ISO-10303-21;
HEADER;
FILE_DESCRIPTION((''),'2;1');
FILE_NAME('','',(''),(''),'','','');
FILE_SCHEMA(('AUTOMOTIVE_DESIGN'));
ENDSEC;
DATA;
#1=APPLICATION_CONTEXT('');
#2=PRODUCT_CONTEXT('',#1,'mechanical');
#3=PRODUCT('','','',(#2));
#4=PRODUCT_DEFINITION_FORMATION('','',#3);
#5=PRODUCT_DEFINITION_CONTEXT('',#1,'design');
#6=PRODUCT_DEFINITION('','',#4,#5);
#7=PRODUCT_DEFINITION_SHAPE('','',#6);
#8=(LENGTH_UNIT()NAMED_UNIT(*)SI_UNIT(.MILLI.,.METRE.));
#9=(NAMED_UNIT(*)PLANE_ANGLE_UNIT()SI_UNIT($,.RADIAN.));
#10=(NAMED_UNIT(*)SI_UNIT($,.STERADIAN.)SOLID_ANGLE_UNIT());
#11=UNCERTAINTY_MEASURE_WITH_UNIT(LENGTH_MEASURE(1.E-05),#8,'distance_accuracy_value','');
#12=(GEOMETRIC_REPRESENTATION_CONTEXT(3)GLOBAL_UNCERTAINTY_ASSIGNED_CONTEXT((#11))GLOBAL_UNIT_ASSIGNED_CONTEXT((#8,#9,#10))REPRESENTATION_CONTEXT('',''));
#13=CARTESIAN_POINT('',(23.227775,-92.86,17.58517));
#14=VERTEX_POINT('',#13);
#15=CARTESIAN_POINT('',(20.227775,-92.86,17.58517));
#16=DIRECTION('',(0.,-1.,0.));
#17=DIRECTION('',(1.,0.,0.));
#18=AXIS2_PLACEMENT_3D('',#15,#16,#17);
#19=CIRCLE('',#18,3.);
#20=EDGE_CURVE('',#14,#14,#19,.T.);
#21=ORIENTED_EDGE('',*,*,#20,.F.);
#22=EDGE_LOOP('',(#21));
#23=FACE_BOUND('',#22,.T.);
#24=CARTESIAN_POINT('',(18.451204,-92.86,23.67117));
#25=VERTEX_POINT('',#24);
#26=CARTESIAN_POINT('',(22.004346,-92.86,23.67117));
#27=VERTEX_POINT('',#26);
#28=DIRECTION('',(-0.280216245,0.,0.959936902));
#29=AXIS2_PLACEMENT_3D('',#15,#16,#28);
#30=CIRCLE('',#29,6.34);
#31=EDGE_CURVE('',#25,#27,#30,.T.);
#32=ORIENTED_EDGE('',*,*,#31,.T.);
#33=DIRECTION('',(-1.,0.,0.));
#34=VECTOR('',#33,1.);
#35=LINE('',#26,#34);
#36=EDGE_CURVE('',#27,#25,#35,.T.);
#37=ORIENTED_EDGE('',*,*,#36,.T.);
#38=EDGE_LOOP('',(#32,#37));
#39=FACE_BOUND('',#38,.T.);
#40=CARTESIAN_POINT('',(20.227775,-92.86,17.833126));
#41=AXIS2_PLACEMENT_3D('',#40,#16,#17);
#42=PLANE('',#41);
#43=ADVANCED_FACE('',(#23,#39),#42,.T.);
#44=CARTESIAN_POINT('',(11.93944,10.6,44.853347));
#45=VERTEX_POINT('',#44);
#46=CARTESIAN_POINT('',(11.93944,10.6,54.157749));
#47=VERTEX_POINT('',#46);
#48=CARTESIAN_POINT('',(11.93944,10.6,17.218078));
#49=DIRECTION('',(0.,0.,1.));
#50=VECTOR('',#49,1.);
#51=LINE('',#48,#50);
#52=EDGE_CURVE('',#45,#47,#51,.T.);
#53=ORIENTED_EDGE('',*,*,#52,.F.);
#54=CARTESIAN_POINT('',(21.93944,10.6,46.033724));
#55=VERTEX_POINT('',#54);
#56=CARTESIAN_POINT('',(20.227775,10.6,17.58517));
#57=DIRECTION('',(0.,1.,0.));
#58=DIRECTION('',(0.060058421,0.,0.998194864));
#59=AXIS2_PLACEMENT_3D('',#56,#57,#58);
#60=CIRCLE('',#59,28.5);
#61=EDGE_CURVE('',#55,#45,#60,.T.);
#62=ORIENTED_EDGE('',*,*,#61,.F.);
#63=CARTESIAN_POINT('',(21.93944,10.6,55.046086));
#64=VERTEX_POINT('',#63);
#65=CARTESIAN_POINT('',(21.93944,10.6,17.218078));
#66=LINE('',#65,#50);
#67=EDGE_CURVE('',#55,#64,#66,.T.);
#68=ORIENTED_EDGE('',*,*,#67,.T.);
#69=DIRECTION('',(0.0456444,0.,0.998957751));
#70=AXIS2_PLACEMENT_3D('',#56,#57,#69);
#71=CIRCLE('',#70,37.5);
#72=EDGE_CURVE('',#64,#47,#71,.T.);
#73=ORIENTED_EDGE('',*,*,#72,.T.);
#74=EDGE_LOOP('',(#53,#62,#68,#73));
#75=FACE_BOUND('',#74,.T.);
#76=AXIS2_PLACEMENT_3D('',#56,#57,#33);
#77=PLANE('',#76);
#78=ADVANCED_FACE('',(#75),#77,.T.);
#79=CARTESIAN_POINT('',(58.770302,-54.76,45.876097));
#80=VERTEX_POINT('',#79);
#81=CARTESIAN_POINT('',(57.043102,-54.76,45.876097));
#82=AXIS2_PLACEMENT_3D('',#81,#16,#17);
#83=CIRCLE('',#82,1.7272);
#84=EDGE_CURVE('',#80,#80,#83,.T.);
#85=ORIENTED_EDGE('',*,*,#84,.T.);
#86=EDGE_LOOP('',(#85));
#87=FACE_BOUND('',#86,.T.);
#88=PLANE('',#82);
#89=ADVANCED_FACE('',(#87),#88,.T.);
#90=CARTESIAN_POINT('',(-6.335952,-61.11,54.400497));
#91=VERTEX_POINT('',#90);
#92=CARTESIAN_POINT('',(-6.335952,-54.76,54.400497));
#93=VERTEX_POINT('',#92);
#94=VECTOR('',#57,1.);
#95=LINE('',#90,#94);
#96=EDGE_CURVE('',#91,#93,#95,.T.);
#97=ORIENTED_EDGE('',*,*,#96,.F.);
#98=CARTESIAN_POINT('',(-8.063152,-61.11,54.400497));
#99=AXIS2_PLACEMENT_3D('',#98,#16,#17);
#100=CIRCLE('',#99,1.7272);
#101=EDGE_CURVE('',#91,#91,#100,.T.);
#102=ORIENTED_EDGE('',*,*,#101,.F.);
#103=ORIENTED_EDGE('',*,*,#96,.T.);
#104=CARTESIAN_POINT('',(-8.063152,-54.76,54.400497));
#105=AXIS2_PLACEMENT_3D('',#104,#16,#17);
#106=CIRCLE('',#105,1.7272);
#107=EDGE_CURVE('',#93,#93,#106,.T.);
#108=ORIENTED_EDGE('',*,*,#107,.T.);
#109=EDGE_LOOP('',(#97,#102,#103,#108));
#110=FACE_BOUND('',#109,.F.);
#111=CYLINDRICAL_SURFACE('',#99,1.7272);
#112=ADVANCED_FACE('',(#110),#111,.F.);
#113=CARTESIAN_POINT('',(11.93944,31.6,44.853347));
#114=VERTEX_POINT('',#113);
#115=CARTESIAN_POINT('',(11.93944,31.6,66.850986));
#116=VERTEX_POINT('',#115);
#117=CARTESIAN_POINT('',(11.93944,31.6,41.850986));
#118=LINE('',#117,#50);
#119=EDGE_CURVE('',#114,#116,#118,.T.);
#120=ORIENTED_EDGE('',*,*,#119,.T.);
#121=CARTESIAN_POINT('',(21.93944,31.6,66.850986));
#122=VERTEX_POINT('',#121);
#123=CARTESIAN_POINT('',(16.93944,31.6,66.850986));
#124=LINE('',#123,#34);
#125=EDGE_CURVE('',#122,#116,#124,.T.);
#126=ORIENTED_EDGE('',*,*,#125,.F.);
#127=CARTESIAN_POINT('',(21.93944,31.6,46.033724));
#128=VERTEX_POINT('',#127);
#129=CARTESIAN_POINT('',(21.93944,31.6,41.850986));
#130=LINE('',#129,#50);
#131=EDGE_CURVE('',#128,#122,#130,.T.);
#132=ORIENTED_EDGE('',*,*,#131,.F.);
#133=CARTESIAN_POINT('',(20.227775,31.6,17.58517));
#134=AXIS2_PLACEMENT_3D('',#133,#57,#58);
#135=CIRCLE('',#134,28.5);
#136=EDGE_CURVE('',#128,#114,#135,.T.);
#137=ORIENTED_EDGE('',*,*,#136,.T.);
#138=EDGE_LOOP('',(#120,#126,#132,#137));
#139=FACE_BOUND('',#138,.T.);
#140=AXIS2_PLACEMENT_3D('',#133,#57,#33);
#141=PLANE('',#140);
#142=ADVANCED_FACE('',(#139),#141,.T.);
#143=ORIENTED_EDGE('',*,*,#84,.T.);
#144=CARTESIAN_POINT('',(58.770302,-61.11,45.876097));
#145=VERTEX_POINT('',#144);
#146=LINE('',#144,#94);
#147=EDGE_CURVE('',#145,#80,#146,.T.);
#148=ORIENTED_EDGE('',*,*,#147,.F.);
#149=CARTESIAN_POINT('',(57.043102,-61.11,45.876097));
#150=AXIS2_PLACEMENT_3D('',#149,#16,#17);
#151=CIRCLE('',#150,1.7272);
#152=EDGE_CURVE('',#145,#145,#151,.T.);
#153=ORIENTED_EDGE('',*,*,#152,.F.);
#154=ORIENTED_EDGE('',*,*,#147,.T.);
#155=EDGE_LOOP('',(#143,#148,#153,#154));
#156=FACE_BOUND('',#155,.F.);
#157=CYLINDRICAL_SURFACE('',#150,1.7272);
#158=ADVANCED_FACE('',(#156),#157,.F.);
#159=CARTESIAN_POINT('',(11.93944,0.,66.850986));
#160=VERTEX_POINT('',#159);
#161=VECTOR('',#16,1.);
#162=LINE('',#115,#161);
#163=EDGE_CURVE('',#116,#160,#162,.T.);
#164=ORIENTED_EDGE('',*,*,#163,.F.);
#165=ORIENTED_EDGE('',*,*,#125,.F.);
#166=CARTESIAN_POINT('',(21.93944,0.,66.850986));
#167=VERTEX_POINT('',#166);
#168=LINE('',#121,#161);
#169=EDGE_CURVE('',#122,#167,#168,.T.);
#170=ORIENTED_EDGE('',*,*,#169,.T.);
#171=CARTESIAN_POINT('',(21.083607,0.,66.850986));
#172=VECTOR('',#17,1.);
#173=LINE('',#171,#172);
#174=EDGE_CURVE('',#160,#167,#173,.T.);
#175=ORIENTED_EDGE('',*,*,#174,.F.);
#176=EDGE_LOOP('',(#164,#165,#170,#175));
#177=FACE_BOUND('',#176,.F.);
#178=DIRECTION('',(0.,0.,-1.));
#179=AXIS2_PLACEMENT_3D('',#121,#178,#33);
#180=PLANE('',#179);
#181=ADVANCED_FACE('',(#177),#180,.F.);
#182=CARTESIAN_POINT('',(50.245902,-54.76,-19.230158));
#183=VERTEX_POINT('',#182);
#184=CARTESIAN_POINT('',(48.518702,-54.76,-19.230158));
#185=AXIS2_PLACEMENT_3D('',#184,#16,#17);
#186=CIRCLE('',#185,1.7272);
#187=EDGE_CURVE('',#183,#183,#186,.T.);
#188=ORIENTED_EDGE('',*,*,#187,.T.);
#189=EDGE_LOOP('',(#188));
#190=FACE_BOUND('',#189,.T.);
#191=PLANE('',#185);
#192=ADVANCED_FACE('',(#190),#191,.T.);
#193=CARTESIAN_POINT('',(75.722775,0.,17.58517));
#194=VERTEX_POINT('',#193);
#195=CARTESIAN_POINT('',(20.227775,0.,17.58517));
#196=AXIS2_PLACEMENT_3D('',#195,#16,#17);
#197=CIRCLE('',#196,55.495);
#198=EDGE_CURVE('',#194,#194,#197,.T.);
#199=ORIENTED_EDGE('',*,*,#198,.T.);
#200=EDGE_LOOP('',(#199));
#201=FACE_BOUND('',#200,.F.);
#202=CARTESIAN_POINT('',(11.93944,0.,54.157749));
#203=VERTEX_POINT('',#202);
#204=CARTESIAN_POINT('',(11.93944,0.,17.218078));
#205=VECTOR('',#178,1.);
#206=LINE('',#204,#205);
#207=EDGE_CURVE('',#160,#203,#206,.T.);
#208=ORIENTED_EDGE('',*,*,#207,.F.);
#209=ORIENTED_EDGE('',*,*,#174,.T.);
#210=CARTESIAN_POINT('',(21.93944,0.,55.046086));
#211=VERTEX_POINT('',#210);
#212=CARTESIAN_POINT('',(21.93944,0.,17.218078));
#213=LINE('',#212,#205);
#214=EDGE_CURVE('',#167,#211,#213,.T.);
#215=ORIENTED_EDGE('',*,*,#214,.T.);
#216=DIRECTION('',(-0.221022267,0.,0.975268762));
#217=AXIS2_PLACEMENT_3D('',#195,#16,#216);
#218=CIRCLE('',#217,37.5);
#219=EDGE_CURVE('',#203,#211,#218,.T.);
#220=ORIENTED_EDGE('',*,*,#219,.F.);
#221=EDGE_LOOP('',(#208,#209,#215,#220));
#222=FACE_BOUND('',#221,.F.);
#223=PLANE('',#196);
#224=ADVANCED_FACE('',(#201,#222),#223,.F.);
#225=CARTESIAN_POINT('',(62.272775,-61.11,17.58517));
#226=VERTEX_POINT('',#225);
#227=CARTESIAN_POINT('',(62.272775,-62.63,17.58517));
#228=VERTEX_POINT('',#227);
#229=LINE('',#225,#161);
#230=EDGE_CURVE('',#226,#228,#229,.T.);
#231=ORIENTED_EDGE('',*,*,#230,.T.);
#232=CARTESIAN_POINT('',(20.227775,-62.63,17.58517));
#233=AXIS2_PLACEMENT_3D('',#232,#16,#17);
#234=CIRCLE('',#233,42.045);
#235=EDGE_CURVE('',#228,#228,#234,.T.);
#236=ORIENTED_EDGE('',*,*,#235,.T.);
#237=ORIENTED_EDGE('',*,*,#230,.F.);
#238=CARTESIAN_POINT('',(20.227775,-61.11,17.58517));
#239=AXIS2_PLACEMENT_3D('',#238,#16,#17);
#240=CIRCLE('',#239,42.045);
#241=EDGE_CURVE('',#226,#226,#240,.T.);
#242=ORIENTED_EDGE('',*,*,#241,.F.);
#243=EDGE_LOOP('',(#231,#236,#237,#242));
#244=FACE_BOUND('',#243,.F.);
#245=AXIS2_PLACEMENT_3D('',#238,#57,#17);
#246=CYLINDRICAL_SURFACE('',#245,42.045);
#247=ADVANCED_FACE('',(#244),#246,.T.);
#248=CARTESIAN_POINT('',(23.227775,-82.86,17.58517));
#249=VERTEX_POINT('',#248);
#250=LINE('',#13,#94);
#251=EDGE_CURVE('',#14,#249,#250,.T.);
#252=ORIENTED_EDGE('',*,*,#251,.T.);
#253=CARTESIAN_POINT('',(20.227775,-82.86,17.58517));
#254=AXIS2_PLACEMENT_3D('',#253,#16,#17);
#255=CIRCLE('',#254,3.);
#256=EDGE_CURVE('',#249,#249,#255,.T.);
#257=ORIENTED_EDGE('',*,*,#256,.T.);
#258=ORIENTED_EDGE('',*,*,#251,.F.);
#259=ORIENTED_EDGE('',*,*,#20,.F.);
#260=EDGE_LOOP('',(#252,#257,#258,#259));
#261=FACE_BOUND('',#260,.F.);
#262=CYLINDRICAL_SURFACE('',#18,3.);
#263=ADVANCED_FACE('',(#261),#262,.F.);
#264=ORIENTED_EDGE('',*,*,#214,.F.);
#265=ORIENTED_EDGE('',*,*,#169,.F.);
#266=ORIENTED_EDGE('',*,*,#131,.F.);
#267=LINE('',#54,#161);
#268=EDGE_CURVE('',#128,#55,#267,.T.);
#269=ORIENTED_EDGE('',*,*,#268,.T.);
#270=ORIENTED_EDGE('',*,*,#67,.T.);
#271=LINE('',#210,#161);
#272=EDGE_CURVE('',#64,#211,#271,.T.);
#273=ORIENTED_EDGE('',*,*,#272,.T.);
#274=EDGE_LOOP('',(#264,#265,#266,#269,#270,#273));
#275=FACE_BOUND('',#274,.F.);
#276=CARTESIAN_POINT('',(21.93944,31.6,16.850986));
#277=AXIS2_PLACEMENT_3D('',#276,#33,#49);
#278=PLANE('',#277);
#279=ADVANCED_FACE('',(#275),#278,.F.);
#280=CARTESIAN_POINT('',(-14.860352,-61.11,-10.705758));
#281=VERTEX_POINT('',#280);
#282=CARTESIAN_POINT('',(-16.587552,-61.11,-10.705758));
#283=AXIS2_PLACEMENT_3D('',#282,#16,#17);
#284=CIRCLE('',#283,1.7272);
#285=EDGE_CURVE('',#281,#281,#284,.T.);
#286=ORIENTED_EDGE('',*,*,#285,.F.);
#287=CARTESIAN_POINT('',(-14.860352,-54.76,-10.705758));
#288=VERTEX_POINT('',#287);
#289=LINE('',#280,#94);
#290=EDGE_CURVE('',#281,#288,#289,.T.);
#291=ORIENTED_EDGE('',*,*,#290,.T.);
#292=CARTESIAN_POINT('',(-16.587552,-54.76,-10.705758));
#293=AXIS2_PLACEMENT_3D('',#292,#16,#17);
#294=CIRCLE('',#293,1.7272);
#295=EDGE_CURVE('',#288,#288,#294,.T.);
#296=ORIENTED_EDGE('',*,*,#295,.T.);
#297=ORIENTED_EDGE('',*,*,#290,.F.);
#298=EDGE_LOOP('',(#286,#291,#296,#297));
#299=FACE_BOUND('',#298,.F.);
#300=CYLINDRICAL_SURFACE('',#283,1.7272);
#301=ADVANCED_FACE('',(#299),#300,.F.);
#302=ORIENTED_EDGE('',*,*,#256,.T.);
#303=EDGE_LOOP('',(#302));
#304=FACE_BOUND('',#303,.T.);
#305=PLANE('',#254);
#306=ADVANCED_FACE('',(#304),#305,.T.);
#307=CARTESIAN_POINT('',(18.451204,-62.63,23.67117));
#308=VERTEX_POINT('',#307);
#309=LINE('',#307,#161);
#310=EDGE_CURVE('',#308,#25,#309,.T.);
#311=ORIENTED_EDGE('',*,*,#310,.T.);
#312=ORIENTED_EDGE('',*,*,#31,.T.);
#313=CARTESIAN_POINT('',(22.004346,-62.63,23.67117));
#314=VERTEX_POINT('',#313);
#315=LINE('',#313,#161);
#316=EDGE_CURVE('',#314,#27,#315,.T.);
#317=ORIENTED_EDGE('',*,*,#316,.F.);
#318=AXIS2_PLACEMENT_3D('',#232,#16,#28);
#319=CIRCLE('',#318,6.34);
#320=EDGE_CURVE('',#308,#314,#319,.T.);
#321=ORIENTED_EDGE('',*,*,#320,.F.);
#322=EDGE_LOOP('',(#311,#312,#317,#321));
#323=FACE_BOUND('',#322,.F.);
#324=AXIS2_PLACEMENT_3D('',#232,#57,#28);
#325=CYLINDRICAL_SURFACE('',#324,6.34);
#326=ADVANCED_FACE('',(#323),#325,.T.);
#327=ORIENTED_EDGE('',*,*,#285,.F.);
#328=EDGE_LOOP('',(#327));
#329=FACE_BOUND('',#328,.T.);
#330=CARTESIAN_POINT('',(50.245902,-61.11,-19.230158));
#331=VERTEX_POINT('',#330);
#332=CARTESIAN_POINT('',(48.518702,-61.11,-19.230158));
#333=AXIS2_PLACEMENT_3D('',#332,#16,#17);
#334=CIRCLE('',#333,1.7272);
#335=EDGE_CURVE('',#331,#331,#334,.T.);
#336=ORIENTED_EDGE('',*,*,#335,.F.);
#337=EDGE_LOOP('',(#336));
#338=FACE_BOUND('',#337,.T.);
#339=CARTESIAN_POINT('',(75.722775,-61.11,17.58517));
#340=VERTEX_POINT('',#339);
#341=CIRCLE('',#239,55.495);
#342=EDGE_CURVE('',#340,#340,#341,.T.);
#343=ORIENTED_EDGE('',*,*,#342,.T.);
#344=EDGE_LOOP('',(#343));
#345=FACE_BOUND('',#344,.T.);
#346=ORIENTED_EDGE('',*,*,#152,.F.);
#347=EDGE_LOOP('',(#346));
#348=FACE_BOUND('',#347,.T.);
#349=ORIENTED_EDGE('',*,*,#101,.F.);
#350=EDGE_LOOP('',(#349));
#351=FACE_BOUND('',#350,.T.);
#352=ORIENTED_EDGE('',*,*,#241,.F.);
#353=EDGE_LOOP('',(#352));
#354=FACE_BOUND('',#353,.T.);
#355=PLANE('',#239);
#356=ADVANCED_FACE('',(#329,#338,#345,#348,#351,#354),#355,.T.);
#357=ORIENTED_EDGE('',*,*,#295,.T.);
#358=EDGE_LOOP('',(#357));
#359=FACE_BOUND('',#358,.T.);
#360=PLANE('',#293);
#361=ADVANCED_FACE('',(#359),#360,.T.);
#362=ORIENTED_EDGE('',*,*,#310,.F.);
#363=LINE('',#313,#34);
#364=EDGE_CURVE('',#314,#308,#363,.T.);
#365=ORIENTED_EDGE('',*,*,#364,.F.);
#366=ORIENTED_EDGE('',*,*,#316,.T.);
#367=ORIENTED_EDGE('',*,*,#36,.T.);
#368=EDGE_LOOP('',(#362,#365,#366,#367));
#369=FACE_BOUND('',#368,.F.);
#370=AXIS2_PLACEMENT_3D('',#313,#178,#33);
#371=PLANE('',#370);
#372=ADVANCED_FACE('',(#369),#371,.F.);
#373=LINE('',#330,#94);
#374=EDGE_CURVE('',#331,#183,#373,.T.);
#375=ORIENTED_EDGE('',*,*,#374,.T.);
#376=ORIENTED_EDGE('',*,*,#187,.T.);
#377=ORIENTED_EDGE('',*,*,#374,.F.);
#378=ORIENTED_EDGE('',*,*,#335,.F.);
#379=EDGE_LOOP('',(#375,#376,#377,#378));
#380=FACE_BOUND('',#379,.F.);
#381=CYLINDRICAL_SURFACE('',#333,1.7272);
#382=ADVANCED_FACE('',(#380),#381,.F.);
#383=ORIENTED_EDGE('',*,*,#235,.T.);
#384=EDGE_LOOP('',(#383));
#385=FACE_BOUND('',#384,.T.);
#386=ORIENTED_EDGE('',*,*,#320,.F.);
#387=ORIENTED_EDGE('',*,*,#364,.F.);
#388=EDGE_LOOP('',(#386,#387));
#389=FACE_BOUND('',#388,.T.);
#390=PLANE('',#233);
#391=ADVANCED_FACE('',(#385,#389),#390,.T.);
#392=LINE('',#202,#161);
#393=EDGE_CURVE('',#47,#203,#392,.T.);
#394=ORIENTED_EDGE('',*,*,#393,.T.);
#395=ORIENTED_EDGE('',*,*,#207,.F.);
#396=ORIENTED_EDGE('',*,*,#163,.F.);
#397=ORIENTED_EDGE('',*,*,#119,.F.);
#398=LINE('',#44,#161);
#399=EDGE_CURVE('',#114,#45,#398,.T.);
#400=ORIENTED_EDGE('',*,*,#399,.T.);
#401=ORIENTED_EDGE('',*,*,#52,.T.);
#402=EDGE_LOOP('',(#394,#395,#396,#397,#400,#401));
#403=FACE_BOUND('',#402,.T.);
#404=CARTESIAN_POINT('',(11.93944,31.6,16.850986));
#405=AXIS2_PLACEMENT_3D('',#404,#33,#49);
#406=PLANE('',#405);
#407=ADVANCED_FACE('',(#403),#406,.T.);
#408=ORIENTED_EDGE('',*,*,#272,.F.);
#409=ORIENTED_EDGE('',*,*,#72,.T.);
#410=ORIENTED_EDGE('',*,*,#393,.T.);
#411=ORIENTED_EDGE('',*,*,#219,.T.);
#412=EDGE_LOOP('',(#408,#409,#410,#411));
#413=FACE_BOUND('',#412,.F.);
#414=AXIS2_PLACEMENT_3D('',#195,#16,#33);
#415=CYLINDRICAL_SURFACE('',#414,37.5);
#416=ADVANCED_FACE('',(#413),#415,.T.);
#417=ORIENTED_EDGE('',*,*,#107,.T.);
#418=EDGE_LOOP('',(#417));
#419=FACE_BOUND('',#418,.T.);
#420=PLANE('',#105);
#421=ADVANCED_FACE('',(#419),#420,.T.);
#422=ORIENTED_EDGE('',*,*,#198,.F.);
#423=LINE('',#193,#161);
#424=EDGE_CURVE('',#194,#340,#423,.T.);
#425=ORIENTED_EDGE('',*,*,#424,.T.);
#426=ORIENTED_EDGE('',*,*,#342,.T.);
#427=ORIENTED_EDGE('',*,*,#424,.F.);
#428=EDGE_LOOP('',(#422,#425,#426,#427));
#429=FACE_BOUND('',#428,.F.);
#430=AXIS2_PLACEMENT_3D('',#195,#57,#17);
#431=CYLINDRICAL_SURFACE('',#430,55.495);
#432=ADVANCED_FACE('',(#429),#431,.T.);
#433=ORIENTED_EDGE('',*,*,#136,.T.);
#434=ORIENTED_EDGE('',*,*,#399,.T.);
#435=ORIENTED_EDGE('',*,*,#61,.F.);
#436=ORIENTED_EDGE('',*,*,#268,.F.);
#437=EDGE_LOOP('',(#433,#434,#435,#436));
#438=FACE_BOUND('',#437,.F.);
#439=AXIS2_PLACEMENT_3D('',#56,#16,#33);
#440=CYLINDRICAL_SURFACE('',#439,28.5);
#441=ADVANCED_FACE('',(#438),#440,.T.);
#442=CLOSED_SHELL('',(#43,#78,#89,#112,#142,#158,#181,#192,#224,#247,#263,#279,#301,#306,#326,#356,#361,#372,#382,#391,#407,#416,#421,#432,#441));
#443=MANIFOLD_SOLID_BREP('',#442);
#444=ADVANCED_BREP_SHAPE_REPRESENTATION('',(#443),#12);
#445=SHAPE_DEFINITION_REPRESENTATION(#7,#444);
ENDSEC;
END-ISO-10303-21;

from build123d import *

# Parameters (mm, degrees)
F0_R          = 55.495
F1_DEPTH      = 61.11
F2_R          = 42.045
F3_DEPTH      = 1.52
F5_DEPTH      = 30.23
F5_DEPTH_BACK = 92.79
F6_R          = 37.5
F7_DEPTH      = 10.6
F8_R          = 28.5
F9_DEPTH      = 21
F10_R         = 1.7272
F11_DEPTH     = 6.35
F12_W         = 10
F12_H         = 50
F13_DEPTH     = 40
F14_R         = 3
F15_DEPTH     = 10


with BuildPart() as f1:
    # F0 (on Front) → F1 (new body)
    with BuildSketch(Plane.XZ):
        with Locations((20.227775, 17.58517)):
            Circle(F0_R)
    extrude(amount=F1_DEPTH)

    # F2 (on face) → F3 (join)
    with BuildSketch(Plane.XZ.offset(61.11)):
        with Locations((20.227775, 17.58517)):
            Circle(F2_R)
    extrude(amount=F3_DEPTH)

    # F4 (on face) → F5 (join, two sides)
    with BuildSketch(Plane.XZ.offset(62.63)) as f5_sk:
        with BuildLine():
            Line((22.004346, 23.67117), (18.451204, 23.67117))
            ThreePointArc((18.451204, 23.67117), (20.227775, 11.24517), (22.004346, 23.67117))
        make_face()
    extrude(amount=F5_DEPTH)
    extrude(f5_sk.sketch, amount=-F5_DEPTH_BACK)

    # F6 (on face) → F7 (join)
    with BuildSketch(Plane(origin=(0, 0, 0), x_dir=(-1, 0, 0), z_dir=(0, 1, 0))):
        with Locations((-20.227775, 17.58517)):
            Circle(F6_R)
    extrude(amount=F7_DEPTH)

    # F8 (on face) → F9 (join)
    with BuildSketch(Plane(origin=(0, 10.6, 0), x_dir=(-1, 0, 0), z_dir=(0, 1, 0))):
        with Locations((-20.227775, 17.58517)):
            Circle(F8_R)
    extrude(amount=F9_DEPTH)

    # F10 (on face) → F11 (cut)
    with BuildSketch(Plane.XZ.offset(61.11)):
        with Locations((57.043102, 45.876097)):
            Circle(F10_R)
        with Locations((-8.063152, 54.400497)):
            Circle(F10_R)
        with Locations((-16.587552, -10.705758)):
            Circle(F10_R)
        with Locations((48.518702, -19.230158)):
            Circle(F10_R)
    extrude(amount=-F11_DEPTH, mode=Mode.SUBTRACT)

    # F12 (on face) → F13 (join)
    with BuildSketch(Plane(origin=(0, 31.6, 0), x_dir=(-1, 0, 0), z_dir=(0, 1, 0))):
        with Locations((-16.93944, 41.850986)):
            Rectangle(F12_W, F12_H)
    extrude(amount=-F13_DEPTH)

    # F14 (on face) → F15 (cut)
    with BuildSketch(Plane.XZ.offset(92.86)):
        with Locations((20.227775, 17.58517)):
            Circle(F14_R)
    extrude(amount=-F15_DEPTH, mode=Mode.SUBTRACT)


solid = f1.part
